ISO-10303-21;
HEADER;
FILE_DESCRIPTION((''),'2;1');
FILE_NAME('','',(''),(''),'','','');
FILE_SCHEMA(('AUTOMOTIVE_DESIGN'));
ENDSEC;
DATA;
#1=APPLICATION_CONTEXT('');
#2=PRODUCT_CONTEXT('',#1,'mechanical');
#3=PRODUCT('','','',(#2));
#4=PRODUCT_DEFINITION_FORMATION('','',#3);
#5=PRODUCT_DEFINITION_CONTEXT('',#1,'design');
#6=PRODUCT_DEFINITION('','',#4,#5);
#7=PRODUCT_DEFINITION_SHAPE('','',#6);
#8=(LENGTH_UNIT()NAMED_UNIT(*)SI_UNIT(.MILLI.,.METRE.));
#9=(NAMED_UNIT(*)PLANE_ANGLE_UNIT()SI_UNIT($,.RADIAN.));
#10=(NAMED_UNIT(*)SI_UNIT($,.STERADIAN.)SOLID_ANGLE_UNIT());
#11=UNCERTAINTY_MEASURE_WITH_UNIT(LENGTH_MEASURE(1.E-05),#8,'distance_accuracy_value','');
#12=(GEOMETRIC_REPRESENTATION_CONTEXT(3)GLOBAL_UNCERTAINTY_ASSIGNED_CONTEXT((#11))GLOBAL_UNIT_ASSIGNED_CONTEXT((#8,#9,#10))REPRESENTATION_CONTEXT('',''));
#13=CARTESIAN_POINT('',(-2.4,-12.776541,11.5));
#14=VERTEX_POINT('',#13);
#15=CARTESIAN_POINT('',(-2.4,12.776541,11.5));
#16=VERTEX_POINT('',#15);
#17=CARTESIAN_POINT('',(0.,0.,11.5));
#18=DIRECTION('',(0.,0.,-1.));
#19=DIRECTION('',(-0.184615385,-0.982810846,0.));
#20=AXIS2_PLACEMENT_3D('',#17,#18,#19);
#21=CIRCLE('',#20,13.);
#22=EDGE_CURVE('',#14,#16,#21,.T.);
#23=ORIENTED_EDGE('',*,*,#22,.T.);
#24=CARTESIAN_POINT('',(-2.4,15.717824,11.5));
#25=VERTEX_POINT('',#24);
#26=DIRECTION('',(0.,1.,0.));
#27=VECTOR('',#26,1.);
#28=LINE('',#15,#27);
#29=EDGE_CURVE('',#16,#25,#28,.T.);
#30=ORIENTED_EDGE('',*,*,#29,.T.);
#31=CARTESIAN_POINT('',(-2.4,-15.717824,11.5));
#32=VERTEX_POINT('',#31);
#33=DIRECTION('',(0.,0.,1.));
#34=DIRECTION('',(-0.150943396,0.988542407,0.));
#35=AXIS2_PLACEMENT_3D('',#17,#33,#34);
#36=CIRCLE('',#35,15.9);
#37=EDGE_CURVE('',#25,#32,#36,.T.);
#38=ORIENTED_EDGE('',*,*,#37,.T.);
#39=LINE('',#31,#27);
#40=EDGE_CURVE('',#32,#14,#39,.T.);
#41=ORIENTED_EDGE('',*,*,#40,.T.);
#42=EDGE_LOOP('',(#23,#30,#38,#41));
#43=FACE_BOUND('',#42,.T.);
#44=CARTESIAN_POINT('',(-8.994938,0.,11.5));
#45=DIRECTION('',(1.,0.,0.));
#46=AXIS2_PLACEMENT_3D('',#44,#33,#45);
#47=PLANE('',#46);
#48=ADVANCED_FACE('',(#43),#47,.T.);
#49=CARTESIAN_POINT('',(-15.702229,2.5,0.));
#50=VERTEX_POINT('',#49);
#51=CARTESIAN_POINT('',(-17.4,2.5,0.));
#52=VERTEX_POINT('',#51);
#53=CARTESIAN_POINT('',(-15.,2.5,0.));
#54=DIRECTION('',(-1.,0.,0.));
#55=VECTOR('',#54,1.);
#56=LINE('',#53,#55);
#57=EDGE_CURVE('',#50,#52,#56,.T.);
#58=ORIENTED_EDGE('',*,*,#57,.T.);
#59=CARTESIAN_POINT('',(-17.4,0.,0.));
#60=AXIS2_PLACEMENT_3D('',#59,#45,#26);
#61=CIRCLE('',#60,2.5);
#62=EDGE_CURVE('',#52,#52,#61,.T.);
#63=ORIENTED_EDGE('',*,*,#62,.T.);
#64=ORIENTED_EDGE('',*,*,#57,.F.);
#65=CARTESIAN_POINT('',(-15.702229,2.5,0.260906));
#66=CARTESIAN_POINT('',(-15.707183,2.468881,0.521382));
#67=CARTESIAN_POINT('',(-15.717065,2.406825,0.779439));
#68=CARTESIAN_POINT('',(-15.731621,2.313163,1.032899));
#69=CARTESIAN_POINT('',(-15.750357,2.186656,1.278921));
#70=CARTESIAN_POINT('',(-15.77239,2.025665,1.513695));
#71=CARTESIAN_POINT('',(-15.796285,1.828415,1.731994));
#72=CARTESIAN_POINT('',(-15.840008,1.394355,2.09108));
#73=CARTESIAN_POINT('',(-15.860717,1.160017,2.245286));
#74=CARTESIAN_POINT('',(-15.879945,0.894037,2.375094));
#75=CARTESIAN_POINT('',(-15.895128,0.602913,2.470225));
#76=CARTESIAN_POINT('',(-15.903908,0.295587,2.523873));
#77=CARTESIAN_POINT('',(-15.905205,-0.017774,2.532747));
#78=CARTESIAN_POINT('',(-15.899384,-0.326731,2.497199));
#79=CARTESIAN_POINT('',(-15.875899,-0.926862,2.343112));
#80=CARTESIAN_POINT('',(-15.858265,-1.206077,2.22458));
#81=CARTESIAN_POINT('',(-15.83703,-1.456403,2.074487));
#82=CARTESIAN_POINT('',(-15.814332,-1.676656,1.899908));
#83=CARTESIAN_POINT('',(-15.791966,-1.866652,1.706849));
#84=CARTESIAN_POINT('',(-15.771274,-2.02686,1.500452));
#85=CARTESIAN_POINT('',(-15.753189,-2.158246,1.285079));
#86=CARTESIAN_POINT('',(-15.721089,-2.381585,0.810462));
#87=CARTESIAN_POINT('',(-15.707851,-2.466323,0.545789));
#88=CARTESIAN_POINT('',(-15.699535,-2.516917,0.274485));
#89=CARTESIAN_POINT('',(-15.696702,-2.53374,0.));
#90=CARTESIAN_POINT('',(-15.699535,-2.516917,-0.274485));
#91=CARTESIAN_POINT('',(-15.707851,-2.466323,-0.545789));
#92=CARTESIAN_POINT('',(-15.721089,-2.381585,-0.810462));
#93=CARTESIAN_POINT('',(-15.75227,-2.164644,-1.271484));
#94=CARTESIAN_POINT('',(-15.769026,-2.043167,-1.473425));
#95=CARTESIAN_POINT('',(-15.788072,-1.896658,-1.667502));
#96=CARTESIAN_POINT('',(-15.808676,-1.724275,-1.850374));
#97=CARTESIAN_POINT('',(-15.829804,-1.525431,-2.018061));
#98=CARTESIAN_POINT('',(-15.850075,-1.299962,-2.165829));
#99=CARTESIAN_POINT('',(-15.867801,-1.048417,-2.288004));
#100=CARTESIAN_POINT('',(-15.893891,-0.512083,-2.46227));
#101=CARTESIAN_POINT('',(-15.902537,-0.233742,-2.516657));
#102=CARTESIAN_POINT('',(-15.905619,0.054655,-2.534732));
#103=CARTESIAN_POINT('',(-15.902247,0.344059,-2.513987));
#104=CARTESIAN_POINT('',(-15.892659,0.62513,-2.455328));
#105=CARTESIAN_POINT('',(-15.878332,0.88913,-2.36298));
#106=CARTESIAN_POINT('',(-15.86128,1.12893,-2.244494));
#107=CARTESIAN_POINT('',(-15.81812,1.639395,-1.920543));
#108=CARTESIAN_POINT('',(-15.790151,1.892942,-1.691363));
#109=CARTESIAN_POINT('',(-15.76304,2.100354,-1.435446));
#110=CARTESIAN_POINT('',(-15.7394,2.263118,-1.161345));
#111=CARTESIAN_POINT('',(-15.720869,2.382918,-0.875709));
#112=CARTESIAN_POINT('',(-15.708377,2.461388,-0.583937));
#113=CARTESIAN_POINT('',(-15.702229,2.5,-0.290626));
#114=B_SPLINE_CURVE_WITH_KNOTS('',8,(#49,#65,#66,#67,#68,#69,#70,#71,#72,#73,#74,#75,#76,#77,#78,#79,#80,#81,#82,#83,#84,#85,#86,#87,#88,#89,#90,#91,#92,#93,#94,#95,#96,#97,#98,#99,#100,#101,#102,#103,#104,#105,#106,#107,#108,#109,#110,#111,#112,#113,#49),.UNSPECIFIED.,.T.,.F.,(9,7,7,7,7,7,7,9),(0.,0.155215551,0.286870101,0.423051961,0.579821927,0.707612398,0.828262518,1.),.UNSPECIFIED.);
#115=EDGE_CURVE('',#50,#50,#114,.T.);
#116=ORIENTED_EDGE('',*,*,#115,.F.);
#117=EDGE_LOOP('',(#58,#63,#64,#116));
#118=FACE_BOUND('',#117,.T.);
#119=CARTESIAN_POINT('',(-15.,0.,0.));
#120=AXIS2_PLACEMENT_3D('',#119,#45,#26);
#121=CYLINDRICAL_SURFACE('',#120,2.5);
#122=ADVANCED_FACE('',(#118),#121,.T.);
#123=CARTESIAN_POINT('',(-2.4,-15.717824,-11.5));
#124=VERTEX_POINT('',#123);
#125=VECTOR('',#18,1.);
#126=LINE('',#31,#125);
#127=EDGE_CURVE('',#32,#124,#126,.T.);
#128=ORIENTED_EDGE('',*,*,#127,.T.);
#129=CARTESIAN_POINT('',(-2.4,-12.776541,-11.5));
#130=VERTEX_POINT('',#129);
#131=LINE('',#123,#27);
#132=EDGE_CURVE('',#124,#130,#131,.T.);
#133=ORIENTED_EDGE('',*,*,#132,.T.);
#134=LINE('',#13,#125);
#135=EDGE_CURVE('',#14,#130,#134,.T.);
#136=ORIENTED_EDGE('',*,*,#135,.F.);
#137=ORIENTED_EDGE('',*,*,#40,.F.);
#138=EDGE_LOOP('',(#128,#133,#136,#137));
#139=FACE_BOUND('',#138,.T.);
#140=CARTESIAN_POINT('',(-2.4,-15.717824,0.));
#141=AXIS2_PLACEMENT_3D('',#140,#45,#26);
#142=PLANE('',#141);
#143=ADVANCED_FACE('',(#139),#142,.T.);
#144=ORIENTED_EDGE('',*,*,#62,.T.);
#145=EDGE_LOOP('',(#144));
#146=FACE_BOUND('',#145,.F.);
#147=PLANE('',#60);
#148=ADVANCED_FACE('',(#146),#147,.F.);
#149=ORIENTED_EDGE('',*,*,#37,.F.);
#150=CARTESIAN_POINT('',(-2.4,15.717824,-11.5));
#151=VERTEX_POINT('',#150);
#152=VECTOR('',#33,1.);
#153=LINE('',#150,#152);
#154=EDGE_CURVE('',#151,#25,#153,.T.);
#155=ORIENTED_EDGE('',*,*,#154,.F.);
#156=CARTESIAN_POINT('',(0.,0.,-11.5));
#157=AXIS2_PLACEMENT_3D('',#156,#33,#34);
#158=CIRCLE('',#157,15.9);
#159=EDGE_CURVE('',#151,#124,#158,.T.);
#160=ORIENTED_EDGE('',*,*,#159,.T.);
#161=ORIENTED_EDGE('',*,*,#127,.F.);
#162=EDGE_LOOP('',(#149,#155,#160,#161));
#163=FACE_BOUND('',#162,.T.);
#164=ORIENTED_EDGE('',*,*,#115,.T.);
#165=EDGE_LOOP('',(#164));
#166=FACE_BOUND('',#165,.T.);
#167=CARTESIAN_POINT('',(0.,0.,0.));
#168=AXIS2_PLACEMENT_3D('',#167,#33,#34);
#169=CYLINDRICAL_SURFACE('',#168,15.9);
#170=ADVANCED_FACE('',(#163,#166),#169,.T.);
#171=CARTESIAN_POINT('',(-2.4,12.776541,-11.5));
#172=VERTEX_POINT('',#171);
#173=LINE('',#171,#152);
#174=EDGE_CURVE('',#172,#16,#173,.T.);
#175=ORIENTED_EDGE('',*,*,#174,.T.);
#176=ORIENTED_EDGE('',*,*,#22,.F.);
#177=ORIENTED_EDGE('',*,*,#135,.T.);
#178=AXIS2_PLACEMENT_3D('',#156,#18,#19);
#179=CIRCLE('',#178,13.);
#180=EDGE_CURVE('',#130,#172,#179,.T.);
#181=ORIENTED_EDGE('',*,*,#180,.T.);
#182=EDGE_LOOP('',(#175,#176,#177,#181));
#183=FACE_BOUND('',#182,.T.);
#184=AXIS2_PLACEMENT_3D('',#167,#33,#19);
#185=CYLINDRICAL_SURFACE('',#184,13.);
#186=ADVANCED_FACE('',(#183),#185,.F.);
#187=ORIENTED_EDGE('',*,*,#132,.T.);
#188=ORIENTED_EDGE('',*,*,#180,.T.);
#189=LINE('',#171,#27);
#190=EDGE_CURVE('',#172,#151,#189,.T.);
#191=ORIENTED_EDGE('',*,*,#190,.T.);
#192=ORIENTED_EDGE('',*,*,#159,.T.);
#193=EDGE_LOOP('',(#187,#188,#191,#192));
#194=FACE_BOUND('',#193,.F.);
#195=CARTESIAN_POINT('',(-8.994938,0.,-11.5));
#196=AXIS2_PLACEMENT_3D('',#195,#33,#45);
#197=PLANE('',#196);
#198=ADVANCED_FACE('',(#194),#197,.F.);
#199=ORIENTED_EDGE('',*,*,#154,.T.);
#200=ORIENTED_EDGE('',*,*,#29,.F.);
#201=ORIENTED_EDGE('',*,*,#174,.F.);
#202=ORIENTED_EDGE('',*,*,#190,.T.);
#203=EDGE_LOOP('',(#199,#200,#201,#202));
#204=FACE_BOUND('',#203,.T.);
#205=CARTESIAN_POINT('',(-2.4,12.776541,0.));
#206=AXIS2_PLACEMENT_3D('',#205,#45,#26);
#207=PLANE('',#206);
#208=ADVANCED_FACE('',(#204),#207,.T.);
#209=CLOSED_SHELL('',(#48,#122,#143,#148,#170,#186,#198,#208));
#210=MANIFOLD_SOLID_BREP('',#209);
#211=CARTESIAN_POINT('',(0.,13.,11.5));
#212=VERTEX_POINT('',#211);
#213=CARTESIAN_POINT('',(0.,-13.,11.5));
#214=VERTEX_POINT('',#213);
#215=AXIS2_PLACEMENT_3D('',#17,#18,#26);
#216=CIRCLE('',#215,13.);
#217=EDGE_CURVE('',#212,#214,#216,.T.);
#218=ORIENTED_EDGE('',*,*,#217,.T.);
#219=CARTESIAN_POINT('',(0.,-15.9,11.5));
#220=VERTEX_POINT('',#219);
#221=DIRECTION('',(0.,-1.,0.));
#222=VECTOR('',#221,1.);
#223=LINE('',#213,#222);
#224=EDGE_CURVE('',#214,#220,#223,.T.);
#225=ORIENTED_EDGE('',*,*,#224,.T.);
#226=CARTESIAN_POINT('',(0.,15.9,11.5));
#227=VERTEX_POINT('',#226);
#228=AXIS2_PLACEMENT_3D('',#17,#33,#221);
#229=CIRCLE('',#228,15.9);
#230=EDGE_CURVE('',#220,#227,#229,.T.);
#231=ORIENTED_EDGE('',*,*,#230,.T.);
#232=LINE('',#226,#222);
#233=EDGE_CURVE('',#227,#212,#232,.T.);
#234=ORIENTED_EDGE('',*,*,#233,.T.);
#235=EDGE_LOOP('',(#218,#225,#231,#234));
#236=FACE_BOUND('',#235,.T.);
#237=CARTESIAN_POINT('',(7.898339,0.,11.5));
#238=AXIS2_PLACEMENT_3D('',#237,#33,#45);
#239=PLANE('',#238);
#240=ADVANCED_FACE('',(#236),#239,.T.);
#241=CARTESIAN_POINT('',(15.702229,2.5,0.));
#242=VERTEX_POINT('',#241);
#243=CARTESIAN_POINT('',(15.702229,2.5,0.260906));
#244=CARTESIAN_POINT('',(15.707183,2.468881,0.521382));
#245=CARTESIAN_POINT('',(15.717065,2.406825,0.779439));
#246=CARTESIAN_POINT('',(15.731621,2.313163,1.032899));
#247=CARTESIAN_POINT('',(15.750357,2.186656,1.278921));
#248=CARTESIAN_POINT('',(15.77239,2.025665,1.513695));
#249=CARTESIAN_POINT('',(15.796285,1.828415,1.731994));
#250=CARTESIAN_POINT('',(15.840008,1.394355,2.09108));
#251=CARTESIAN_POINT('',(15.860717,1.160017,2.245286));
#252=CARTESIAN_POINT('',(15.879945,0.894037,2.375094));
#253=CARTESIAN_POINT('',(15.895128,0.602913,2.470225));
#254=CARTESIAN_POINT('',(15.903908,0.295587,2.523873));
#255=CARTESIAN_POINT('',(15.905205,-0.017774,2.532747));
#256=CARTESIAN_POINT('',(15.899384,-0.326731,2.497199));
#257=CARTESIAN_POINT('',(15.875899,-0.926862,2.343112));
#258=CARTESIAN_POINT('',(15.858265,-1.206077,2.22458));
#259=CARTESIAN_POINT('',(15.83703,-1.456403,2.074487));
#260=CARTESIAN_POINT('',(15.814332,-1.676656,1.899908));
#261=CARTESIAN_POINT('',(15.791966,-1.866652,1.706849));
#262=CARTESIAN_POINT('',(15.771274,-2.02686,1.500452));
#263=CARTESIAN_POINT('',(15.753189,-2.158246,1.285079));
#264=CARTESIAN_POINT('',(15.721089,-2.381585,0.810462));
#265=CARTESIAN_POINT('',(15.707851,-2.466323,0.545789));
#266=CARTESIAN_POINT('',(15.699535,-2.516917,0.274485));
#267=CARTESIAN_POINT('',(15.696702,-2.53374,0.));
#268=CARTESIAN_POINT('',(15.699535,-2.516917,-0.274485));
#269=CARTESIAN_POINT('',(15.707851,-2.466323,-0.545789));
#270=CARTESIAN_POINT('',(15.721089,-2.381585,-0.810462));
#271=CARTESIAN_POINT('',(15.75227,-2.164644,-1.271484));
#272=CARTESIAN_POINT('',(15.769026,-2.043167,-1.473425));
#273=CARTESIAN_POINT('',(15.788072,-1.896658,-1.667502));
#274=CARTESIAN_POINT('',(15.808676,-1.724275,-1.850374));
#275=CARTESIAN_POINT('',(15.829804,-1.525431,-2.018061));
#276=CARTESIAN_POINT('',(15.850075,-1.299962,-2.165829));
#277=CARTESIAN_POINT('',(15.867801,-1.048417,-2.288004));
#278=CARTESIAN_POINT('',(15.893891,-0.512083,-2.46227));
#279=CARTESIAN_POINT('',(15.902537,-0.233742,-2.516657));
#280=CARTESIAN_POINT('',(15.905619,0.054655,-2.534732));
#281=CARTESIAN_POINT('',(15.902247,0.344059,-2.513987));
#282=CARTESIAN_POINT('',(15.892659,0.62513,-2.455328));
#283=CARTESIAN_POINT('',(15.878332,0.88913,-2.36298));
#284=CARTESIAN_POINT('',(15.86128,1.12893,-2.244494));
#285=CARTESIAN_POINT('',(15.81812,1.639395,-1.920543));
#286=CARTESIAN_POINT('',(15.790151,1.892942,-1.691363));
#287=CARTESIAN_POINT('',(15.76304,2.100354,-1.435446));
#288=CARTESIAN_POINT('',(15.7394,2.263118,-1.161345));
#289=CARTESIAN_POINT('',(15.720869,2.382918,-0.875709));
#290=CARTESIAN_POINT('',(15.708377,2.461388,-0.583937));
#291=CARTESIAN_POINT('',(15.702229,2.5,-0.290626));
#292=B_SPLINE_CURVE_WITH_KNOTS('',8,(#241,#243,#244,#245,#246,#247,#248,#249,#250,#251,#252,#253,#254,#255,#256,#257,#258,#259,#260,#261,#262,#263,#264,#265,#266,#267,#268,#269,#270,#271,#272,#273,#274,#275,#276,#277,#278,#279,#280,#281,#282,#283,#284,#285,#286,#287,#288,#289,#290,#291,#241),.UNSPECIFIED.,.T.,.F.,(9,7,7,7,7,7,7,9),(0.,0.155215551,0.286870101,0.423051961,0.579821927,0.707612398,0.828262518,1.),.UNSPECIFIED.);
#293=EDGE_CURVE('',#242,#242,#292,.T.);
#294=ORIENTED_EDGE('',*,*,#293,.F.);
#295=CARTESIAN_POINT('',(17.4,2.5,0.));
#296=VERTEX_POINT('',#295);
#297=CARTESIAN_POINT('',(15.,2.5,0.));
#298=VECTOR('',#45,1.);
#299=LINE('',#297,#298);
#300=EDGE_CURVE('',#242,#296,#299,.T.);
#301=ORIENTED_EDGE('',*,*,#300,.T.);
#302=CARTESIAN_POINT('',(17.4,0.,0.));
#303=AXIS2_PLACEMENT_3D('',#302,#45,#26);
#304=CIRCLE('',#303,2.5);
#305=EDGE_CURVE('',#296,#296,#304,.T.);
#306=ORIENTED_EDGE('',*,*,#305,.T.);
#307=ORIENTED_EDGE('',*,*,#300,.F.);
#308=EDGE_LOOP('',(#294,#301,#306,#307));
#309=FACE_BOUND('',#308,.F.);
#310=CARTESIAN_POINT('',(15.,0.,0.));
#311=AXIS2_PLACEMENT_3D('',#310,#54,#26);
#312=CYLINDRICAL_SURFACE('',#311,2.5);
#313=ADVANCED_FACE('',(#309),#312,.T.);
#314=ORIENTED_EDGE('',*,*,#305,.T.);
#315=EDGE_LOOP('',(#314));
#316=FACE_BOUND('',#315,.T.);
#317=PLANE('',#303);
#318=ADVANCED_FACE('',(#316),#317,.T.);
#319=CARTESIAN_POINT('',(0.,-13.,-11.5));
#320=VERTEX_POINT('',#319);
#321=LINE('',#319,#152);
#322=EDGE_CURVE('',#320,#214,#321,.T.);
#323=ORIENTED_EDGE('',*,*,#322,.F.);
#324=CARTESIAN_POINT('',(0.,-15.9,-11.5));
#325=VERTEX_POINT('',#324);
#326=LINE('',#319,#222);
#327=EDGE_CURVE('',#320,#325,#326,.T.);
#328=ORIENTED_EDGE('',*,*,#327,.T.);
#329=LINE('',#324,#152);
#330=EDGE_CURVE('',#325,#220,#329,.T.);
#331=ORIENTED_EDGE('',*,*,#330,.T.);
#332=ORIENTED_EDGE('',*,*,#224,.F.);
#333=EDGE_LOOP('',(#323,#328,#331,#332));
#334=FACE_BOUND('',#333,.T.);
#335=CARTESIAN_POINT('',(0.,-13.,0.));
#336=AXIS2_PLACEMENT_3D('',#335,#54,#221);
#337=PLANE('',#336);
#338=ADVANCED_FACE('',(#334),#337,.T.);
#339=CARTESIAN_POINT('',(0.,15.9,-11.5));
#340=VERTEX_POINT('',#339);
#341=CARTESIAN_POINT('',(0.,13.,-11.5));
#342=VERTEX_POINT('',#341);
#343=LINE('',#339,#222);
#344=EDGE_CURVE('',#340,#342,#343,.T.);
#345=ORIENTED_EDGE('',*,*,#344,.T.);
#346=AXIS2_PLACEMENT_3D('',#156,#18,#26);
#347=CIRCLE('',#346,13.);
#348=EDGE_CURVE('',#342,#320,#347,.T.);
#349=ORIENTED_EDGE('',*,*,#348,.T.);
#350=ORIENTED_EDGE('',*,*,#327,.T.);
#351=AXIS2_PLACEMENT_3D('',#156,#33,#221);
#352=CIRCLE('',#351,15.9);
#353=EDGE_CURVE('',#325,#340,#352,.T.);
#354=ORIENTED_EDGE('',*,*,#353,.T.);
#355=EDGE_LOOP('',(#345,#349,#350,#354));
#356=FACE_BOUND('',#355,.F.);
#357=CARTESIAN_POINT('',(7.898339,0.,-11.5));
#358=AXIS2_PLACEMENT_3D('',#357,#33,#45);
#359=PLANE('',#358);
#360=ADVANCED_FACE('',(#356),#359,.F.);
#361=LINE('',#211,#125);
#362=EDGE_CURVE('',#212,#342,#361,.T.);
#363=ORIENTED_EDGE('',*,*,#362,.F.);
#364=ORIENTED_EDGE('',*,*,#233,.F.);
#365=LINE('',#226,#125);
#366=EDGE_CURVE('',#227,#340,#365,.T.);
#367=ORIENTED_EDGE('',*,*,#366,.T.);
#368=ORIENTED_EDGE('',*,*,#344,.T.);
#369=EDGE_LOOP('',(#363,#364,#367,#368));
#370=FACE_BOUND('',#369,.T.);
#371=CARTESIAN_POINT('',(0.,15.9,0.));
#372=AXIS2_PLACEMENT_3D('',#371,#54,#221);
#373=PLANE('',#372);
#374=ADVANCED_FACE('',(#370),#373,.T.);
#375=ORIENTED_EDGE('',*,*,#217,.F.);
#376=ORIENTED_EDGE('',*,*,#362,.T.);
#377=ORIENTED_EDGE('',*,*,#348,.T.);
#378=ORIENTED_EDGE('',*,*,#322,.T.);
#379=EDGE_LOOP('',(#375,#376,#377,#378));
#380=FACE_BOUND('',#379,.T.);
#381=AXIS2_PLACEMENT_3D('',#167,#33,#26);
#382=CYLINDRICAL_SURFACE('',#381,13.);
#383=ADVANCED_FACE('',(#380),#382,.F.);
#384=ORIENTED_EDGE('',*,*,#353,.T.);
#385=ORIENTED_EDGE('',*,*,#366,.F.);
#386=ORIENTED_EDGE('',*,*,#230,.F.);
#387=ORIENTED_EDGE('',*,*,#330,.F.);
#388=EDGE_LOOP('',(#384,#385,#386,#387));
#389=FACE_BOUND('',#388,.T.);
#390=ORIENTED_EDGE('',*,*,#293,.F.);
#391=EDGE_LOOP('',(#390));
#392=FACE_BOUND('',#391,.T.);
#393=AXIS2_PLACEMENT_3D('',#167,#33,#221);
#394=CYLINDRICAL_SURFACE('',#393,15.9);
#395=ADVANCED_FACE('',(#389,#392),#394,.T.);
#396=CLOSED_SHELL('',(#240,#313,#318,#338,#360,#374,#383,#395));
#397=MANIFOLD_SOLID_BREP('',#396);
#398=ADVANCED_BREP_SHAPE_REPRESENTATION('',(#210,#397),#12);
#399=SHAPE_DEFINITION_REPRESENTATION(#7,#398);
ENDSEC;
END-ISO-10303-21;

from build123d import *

# Parameters (mm, degrees)
F1_DEPTH      = 11.5
F1_DEPTH_BACK = 11.5
F2_DEPTH      = 11.5
F2_DEPTH_BACK = 11.5
F4_START      = 15
F3_R          = 2.5
F4_DEPTH      = 2.4
F5_START      = -15
F5_DEPTH      = 2.4


with BuildPart() as f1:
    # F0 (on Top) → F1 (new body, two sides)
    with BuildSketch(Plane.XY) as f1_sk:
        with BuildLine():
            ThreePointArc((-2.4, -12.7765410029), (-13, 0), (-2.4, 12.7765410029))
            Line((-2.4, 12.7765410029), (-2.4, 15.7178242769))
            ThreePointArc((-2.4, 15.7178242769), (-15.9, 0), (-2.4, -15.7178242769))
            Line((-2.4, -15.7178242769), (-2.4, -12.7765410029))
        make_face()
    extrude(amount=F1_DEPTH)
    extrude(f1_sk.sketch, amount=-F1_DEPTH_BACK)

    # F3 (on Right) → F5 (join)
    with BuildSketch(Plane.YZ.offset(F5_START)):
        Circle(F3_R)
    extrude(amount=-F5_DEPTH)


with BuildPart() as f2:
    # F0 (on Top) → F2 (new body, two sides)
    with BuildSketch(Plane.XY) as f2_sk:
        with BuildLine():
            ThreePointArc((0, 13), (13, 0), (0, -13))
            Line((0, -13), (0, -15.9))
            ThreePointArc((0, -15.9), (15.9, 0), (0, 15.9))
            Line((0, 15.9), (0, 13))
        make_face()
    extrude(amount=F2_DEPTH)
    extrude(f2_sk.sketch, amount=-F2_DEPTH_BACK)

    # F3 (on Right) → F4 (join)
    with BuildSketch(Plane.YZ.offset(F4_START)):
        Circle(F3_R)
    extrude(amount=F4_DEPTH)


solid = Compound([f1.part, f2.part])
